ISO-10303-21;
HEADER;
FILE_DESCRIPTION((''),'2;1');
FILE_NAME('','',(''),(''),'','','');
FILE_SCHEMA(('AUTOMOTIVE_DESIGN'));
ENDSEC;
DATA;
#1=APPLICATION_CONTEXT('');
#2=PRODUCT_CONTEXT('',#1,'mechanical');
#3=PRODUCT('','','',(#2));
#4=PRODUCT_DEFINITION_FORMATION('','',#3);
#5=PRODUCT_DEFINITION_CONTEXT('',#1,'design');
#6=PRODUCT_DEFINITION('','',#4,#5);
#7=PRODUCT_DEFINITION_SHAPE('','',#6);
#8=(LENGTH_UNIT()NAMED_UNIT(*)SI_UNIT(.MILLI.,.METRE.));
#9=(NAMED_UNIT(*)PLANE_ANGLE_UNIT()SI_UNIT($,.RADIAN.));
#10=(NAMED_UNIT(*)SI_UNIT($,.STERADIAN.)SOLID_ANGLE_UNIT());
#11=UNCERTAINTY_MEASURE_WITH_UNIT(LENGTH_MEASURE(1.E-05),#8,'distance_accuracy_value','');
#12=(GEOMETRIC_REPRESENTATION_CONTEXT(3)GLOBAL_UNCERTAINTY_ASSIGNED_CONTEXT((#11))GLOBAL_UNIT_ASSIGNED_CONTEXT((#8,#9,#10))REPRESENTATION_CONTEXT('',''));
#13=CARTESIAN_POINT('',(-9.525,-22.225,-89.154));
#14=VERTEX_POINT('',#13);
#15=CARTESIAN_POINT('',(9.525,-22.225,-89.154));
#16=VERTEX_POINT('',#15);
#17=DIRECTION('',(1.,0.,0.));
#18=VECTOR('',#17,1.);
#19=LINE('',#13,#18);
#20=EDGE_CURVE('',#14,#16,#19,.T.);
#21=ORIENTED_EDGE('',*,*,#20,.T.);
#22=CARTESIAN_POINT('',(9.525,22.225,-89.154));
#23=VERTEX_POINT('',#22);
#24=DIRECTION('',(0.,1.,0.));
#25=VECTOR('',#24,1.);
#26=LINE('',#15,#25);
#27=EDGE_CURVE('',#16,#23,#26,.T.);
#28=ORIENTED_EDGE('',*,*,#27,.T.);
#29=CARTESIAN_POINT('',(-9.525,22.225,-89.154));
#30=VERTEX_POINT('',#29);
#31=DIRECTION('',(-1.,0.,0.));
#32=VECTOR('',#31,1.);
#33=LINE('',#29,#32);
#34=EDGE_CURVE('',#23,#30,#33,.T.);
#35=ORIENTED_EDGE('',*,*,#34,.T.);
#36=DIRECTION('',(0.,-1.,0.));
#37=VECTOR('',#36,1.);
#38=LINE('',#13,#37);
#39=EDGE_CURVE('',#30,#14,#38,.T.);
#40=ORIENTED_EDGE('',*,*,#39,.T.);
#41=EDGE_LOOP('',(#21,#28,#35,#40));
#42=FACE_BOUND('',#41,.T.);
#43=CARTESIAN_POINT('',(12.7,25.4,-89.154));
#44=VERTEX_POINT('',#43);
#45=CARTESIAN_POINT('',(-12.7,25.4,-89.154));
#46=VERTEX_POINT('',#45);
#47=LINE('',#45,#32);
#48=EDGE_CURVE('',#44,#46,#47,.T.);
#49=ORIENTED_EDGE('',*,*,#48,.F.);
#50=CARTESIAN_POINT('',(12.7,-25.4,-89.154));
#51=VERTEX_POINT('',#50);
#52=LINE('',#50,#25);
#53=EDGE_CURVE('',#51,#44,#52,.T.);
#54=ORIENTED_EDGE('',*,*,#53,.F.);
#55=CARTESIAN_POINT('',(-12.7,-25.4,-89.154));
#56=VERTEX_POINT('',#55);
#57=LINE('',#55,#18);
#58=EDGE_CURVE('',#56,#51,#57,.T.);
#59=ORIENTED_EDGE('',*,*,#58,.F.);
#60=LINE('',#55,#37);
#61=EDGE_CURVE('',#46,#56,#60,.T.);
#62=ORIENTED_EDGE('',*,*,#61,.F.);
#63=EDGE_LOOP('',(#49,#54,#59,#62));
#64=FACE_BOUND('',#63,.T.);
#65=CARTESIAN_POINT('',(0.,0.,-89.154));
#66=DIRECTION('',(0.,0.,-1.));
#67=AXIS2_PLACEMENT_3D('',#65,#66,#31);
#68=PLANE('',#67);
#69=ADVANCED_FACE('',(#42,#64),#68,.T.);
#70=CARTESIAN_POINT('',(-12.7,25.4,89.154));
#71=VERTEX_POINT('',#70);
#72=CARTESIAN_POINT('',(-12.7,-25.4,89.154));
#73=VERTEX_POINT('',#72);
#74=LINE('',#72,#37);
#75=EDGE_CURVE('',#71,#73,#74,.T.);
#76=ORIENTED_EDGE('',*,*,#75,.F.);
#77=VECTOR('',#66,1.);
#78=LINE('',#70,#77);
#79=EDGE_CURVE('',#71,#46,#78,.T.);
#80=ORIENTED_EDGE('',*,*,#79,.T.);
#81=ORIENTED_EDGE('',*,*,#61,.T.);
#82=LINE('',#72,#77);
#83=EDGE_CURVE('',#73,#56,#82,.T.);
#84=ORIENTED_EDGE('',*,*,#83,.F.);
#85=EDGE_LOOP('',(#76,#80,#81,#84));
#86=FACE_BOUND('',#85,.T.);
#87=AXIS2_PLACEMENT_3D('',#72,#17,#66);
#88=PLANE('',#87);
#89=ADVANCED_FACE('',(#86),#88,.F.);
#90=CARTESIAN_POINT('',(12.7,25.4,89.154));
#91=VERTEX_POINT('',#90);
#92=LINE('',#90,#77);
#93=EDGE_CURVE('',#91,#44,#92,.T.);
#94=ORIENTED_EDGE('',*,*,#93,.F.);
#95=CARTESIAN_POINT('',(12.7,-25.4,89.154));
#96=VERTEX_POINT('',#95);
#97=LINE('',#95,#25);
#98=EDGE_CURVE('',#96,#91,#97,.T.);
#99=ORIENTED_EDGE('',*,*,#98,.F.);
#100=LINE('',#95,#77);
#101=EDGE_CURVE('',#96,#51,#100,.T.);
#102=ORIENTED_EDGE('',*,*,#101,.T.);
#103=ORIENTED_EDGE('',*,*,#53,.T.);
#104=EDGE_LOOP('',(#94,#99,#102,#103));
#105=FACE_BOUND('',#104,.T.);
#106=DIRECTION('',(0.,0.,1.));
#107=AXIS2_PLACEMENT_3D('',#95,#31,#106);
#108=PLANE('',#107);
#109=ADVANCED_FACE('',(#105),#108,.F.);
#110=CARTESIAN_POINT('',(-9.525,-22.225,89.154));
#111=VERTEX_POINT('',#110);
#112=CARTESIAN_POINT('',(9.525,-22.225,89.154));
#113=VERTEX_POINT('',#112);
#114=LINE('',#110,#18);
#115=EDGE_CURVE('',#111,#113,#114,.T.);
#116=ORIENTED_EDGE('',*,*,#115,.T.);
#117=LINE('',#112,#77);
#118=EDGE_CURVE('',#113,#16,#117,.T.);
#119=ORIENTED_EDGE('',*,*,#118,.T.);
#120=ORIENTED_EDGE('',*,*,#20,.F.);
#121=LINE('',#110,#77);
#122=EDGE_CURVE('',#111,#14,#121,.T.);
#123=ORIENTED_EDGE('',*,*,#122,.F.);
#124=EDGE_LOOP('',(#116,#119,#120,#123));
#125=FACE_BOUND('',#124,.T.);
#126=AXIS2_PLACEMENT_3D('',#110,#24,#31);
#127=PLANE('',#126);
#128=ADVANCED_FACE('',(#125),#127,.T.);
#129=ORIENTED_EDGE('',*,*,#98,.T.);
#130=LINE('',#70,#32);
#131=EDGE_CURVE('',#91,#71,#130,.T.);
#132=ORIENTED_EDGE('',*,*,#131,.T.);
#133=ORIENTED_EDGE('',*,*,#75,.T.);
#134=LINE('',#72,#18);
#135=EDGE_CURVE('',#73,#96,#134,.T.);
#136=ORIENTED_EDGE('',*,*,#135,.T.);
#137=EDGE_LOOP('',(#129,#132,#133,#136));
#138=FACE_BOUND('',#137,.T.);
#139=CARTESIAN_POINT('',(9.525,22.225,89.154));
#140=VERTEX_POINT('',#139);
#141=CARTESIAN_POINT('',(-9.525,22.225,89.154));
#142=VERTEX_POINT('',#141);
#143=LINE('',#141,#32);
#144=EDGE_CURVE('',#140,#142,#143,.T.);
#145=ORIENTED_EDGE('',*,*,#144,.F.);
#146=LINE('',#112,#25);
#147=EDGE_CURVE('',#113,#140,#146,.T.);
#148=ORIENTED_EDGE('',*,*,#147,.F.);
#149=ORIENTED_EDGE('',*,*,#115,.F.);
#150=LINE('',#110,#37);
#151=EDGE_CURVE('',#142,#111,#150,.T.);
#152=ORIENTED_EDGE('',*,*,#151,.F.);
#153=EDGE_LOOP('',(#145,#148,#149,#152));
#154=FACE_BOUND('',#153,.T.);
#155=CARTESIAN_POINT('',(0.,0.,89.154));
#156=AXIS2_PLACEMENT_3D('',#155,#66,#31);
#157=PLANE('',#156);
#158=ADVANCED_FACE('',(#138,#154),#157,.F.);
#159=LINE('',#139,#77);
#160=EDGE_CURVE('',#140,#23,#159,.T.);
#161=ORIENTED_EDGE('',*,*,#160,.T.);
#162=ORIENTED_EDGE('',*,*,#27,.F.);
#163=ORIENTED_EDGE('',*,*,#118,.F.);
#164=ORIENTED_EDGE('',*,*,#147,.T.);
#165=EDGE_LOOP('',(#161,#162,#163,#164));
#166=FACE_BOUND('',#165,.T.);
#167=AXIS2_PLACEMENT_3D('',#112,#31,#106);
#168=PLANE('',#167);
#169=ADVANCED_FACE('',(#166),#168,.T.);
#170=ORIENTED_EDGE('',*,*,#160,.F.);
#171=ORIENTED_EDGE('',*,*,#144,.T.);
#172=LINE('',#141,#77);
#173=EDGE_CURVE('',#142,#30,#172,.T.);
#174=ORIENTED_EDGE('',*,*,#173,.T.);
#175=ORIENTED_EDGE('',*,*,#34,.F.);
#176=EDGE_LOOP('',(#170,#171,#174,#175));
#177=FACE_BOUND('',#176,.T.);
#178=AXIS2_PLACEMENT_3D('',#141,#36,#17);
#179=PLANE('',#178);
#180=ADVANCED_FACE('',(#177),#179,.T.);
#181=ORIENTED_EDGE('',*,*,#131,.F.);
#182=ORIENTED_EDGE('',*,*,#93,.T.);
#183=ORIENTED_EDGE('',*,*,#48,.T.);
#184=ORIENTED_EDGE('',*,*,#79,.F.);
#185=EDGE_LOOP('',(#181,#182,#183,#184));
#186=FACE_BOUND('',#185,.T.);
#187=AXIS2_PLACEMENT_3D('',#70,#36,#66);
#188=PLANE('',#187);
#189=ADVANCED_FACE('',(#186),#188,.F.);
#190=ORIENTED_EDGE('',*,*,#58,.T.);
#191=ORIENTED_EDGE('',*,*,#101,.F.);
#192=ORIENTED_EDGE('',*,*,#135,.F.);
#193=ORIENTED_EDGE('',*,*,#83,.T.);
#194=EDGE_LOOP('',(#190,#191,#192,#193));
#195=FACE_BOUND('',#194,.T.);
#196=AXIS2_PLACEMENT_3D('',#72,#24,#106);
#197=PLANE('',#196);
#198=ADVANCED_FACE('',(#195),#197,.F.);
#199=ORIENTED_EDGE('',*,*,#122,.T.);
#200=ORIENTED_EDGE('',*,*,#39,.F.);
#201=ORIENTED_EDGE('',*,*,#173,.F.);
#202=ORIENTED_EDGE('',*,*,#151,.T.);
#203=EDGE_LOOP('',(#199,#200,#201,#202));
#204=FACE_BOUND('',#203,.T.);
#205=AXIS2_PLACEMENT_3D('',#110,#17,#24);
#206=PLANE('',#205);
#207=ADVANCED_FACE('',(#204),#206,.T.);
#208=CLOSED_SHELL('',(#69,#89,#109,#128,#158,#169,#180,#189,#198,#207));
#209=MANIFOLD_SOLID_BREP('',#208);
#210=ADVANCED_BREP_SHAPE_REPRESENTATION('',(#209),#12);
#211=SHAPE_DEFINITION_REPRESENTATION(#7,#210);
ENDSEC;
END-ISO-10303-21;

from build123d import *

# Parameters (mm, degrees)
SKETCH1_W           = 25.4
SKETCH1_H           = 50.8
SKETCH1_W_2         = 19.05
SKETCH1_H_2         = 44.45
BOSS_EXTRUDE1_DEPTH = 89.154


with BuildPart() as part:
    # Sketch1 → Boss-Extrude1 (new, symmetric)
    with BuildSketch(Plane.XY):
        Rectangle(SKETCH1_W, SKETCH1_H)
        Rectangle(SKETCH1_W_2, SKETCH1_H_2, mode=Mode.SUBTRACT)
    extrude(amount=BOSS_EXTRUDE1_DEPTH, both=True)


solid = part.part
